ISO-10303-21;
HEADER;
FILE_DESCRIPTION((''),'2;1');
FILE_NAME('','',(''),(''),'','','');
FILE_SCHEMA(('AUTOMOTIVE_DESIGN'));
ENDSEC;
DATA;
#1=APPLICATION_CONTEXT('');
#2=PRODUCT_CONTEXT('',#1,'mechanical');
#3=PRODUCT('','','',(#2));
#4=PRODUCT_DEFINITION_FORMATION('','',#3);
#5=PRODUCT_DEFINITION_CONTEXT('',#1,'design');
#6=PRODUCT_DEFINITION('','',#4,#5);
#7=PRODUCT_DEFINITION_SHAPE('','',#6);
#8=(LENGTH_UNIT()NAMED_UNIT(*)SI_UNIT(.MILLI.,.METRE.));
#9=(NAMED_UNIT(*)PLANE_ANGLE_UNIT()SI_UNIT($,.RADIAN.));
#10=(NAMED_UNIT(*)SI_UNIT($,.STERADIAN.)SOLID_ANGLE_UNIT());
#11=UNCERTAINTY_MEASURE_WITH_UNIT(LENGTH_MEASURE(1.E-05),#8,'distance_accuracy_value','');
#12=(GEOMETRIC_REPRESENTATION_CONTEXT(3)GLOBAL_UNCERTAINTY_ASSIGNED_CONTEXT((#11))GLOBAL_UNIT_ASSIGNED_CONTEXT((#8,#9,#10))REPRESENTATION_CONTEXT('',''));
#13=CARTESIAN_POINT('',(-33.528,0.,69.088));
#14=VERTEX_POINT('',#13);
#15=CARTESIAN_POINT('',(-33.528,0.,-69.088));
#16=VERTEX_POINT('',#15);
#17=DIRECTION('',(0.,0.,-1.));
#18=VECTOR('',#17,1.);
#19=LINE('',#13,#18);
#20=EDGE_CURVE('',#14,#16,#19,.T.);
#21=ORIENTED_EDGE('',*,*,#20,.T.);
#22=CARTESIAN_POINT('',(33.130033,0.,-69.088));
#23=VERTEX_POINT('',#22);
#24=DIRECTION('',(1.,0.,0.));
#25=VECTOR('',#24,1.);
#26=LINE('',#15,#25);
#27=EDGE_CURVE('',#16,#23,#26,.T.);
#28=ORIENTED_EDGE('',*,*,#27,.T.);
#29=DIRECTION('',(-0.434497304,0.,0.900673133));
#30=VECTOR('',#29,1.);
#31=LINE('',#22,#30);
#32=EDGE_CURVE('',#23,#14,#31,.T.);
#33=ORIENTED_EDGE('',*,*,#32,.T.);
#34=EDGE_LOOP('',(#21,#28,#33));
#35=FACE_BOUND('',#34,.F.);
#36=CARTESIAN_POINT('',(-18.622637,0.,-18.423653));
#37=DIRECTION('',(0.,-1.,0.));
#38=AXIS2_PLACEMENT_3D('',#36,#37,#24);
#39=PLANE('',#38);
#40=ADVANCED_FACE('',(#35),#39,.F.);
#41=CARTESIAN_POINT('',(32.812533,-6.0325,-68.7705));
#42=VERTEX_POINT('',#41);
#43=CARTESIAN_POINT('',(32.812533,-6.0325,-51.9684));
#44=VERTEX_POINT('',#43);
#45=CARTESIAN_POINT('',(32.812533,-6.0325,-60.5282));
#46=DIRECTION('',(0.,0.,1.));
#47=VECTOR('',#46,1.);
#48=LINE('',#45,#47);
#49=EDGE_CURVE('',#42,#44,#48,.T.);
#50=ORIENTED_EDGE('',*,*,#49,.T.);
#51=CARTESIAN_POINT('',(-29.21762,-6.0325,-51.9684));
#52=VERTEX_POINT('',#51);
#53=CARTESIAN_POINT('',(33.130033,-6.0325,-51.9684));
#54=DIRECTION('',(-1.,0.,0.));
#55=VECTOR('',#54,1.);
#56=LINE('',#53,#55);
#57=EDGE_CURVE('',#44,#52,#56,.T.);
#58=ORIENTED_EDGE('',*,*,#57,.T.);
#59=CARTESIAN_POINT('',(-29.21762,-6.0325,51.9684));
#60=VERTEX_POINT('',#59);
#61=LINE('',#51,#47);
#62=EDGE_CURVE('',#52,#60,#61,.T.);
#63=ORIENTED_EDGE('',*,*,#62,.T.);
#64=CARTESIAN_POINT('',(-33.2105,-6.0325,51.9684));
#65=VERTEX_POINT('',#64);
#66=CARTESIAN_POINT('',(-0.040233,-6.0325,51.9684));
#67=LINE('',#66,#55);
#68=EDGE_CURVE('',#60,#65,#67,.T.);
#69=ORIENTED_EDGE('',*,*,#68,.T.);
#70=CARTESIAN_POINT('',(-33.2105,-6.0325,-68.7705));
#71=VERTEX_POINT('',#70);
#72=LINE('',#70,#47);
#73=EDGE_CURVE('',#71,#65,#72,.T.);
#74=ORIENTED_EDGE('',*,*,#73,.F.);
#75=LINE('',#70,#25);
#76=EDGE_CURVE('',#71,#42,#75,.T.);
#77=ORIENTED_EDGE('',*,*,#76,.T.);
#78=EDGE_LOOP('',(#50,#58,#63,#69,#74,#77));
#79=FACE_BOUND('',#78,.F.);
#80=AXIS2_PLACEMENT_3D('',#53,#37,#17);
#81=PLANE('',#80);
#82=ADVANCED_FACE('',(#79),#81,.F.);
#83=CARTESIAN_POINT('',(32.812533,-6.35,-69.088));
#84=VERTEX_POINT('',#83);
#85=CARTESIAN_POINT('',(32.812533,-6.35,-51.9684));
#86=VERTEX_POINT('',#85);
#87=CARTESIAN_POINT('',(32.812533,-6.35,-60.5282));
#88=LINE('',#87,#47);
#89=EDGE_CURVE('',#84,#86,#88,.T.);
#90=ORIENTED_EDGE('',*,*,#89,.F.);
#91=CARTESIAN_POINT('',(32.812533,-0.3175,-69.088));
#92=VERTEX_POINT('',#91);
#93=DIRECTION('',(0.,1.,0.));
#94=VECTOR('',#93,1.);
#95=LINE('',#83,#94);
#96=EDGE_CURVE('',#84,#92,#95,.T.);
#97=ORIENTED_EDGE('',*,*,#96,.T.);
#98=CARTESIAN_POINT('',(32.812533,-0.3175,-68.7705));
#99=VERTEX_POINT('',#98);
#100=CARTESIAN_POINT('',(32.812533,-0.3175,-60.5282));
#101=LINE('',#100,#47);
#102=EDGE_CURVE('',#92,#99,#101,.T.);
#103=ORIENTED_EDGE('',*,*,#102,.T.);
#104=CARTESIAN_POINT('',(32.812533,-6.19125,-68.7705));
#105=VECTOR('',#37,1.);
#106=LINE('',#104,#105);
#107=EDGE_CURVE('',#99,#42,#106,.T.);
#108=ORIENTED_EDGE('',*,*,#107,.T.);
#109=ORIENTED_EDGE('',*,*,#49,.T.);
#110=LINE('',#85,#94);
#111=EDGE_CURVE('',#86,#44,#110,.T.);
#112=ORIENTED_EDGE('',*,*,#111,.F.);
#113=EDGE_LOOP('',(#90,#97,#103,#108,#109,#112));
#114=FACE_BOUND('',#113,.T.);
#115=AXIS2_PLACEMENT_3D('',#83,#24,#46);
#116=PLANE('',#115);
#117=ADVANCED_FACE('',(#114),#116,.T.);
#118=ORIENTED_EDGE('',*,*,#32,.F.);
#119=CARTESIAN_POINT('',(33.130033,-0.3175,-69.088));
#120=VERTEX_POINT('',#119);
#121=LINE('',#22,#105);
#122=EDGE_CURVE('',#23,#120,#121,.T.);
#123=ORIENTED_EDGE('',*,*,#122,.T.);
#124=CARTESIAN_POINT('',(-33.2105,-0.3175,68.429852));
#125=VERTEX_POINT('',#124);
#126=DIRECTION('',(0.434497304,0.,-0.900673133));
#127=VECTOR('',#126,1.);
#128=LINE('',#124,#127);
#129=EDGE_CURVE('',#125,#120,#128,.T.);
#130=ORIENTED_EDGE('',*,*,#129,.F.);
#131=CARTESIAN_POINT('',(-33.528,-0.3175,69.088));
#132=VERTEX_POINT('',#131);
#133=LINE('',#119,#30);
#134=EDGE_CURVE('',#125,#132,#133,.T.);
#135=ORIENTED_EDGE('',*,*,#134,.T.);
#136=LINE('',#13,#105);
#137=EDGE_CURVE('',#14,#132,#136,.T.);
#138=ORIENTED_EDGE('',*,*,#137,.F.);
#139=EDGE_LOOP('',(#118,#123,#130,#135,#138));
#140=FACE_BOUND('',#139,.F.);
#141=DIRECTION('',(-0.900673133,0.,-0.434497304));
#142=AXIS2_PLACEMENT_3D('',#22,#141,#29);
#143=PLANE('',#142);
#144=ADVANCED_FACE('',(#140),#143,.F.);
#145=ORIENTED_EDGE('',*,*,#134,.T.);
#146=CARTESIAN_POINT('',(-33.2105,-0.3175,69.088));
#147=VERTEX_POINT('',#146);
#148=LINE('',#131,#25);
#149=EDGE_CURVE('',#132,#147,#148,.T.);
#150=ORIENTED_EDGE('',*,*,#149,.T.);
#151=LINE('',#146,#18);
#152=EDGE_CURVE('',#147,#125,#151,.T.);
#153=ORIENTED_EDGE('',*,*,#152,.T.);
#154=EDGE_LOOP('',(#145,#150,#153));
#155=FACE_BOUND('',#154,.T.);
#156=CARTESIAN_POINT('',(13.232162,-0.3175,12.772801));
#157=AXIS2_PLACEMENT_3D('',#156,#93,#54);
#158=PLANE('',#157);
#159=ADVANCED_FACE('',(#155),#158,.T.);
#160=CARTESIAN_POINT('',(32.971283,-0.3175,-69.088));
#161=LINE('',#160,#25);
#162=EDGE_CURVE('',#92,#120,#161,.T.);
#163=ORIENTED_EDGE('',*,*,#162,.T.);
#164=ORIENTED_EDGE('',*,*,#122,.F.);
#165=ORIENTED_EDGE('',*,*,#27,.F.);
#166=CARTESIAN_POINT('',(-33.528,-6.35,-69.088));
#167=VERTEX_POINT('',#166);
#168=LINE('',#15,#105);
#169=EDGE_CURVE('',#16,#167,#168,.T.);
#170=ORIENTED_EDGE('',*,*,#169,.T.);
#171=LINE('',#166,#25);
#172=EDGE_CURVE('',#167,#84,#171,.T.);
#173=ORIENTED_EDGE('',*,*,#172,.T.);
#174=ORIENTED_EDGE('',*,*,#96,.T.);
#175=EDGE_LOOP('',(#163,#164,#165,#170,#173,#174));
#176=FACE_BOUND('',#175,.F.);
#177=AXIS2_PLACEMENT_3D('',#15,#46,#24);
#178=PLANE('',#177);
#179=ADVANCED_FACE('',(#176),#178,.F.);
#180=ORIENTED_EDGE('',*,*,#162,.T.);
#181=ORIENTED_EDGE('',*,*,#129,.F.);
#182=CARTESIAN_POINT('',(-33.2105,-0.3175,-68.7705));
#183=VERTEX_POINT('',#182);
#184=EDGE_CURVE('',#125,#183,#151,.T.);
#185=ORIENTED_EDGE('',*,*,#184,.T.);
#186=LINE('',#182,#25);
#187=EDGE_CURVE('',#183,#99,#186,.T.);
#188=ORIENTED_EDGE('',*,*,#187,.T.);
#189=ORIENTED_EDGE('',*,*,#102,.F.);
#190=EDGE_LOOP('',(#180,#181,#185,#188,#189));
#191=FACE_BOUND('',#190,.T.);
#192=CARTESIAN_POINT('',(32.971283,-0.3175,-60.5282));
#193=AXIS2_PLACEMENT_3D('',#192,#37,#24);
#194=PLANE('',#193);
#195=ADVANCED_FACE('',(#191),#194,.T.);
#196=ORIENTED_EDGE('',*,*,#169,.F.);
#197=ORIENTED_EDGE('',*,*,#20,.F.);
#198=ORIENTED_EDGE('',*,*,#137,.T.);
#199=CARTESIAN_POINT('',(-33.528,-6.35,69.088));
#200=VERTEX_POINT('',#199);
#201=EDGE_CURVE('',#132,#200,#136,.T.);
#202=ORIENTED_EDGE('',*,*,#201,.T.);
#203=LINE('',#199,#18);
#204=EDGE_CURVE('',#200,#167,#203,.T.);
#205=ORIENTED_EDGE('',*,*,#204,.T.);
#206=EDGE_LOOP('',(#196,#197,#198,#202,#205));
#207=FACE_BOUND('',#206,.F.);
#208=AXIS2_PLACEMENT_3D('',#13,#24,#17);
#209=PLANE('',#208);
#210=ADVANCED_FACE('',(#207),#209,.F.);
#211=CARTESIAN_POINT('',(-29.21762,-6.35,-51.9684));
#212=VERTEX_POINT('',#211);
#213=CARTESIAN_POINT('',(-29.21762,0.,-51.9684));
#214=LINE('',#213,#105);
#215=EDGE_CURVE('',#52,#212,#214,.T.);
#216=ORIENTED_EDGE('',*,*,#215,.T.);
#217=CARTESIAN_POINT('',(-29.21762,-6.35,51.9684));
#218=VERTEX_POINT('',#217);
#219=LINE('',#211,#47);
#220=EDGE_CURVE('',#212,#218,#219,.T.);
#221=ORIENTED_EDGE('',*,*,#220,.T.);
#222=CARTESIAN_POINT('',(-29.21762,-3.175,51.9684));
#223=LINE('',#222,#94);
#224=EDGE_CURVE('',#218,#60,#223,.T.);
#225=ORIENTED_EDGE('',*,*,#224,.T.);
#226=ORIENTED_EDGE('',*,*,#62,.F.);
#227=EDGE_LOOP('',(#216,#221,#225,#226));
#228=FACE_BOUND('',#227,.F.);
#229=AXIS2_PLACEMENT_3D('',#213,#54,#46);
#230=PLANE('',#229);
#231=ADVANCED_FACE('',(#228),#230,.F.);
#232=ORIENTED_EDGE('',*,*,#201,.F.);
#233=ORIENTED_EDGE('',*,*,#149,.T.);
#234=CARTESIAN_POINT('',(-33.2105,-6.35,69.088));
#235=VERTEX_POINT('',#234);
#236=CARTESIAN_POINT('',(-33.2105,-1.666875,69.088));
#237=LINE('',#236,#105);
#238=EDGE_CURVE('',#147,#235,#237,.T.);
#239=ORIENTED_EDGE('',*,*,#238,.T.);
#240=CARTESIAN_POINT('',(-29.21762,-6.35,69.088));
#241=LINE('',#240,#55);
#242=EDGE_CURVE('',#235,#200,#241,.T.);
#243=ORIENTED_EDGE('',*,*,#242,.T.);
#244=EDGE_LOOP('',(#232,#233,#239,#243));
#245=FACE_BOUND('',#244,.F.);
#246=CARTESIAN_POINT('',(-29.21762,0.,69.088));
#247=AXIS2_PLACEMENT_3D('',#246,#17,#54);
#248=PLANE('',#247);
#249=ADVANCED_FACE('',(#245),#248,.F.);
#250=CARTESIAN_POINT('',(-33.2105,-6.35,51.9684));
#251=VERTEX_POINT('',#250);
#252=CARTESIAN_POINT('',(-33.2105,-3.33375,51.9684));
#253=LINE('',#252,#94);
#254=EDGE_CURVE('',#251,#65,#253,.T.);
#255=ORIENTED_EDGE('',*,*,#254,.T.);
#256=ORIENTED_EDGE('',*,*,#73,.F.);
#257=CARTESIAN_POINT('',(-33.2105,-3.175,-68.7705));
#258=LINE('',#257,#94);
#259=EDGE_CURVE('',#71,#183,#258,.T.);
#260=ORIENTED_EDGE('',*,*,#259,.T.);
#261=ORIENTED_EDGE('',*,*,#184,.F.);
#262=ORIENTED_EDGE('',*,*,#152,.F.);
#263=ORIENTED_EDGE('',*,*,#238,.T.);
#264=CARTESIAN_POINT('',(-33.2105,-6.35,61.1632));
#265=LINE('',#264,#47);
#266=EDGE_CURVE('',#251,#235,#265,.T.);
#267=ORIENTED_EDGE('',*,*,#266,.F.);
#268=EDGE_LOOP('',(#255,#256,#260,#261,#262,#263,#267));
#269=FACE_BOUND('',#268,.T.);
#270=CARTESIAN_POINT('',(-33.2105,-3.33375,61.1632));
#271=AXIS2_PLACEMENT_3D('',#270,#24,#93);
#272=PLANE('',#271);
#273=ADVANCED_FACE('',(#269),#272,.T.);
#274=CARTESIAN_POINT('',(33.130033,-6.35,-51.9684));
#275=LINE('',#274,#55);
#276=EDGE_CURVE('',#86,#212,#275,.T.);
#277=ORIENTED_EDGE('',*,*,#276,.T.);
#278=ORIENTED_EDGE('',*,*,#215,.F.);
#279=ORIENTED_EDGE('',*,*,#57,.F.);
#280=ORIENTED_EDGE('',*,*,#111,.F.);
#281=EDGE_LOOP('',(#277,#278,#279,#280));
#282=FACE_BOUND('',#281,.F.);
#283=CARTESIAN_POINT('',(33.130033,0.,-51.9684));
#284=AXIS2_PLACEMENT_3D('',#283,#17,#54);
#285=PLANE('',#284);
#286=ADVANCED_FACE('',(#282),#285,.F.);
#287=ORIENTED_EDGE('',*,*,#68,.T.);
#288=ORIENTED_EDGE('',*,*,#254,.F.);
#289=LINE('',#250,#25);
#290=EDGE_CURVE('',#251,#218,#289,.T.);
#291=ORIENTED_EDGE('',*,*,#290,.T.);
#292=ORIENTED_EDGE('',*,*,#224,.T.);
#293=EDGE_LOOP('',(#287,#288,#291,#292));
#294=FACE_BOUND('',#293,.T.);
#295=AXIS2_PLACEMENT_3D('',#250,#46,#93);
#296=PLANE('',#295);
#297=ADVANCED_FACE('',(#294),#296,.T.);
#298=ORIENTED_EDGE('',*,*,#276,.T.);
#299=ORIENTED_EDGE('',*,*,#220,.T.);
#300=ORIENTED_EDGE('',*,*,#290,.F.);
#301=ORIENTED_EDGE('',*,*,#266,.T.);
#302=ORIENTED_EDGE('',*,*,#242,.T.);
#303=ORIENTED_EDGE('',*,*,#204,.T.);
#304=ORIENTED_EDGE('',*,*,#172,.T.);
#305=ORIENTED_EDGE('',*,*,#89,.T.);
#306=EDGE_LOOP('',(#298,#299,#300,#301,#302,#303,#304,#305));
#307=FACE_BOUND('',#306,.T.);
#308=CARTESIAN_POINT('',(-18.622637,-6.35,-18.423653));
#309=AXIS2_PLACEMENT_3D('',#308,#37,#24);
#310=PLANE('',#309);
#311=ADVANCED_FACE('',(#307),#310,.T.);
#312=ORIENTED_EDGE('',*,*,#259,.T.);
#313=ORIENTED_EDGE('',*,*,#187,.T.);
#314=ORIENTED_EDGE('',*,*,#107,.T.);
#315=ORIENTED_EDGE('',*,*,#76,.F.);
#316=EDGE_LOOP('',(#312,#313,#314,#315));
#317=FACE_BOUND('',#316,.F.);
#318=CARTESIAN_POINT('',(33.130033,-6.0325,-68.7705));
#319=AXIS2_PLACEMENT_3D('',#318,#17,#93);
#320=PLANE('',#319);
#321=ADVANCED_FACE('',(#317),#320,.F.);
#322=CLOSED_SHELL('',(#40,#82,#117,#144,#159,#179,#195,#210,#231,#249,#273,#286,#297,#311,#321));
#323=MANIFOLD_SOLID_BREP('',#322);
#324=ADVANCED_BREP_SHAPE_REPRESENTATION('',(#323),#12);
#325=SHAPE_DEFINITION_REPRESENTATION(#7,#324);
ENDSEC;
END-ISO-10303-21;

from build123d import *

# Parameters (mm, degrees)
F1_DEPTH  = 6.35
F2_W      = 5.715
F2_H      = 16.8021
F3_DEPTH  = 33.011516
F4_W      = 3.99288
F4_H      = 5.715
F5_DEPTH  = 68.7705
F6_W      = 0.3175
F6_H      = 138.176
F7_DEPTH  = 63.5
F9_DEPTH  = 25.4
F10_W     = 6.0325
F10_H     = 18.3896
F11_DEPTH = 67.49388
F13_DEPTH = 0.3175
F14_W     = 0.3175
F14_H     = 17.1196
F15_DEPTH = 6.0325


with BuildPart() as f1:
    # F0 (on Front) → F1 (new body)
    with BuildSketch(Plane.XZ):
        Polygon((-33.528, 69.088), (-33.528, -69.088), (33.130033, -69.088), (33.130033, -51.9684), (-29.21762, -51.9684), (-29.21762, 60.152978), (-29.21762, 69.088), align=None)
    extrude(amount=F1_DEPTH)

    # F2 (on Right) → F3 (cut, symmetric)
    with BuildSketch(Plane.YZ):
        with Locations((-3.175, 60.36945)):
            Rectangle(F2_W, F2_H)
        with Locations((-3.175, -60.36945)):
            Rectangle(F2_W, F2_H)
    extrude(amount=F3_DEPTH, both=True, mode=Mode.SUBTRACT)

    # F4 (on Top) → F5 (cut, symmetric)
    with BuildSketch(Plane.XY):
        with Locations((-31.21406, -3.175)):
            Rectangle(F4_W, F4_H)
    extrude(amount=F5_DEPTH, both=True, mode=Mode.SUBTRACT)

    # F6 (on face) → F7 (join)
    with BuildSketch(Plane.YZ.offset(-29.21762)):
        with Locations((-0.15875, 0)):
            Rectangle(F6_W, F6_H)
    extrude(amount=F7_DEPTH)

    # F8 (on face) → F9 (cut)
    with BuildSketch(Plane.YZ.offset(33.130033)):
        Polygon((-6.0325, -51.9684), (-6.0325, -68.7705), (-0.3175, -68.7705), (-0.3175, -52.373883), (-0.3175, -51.9684), align=None)
    extrude(amount=-F9_DEPTH, mode=Mode.SUBTRACT)

    # F10 (on face) → F11 (cut, through all)
    with BuildSketch(Plane.YZ.offset(-33.2105)):
        with Locations((-3.33375, 61.1632)):
            Rectangle(F10_W, F10_H)
    extrude(amount=F11_DEPTH, mode=Mode.SUBTRACT)

    # F12 (on face) → F13 (cut)
    with BuildSketch(Plane(origin=(0, 0, 0), x_dir=(-1, 0, 0), z_dir=(0, 1, 0))):
        Polygon((33.528, 69.088), (-34.28238, 69.088), (-34.28238, -69.088), (-33.130033, -69.088), align=None)
    extrude(amount=-F13_DEPTH, mode=Mode.SUBTRACT)

    # F14 (on face) → F15 (cut, through all)
    with BuildSketch(Plane.XZ.offset(6.35)):
        with Locations((32.971283, -60.5282)):
            Rectangle(F14_W, F14_H)
    extrude(amount=-F15_DEPTH, mode=Mode.SUBTRACT)


solid = f1.part
